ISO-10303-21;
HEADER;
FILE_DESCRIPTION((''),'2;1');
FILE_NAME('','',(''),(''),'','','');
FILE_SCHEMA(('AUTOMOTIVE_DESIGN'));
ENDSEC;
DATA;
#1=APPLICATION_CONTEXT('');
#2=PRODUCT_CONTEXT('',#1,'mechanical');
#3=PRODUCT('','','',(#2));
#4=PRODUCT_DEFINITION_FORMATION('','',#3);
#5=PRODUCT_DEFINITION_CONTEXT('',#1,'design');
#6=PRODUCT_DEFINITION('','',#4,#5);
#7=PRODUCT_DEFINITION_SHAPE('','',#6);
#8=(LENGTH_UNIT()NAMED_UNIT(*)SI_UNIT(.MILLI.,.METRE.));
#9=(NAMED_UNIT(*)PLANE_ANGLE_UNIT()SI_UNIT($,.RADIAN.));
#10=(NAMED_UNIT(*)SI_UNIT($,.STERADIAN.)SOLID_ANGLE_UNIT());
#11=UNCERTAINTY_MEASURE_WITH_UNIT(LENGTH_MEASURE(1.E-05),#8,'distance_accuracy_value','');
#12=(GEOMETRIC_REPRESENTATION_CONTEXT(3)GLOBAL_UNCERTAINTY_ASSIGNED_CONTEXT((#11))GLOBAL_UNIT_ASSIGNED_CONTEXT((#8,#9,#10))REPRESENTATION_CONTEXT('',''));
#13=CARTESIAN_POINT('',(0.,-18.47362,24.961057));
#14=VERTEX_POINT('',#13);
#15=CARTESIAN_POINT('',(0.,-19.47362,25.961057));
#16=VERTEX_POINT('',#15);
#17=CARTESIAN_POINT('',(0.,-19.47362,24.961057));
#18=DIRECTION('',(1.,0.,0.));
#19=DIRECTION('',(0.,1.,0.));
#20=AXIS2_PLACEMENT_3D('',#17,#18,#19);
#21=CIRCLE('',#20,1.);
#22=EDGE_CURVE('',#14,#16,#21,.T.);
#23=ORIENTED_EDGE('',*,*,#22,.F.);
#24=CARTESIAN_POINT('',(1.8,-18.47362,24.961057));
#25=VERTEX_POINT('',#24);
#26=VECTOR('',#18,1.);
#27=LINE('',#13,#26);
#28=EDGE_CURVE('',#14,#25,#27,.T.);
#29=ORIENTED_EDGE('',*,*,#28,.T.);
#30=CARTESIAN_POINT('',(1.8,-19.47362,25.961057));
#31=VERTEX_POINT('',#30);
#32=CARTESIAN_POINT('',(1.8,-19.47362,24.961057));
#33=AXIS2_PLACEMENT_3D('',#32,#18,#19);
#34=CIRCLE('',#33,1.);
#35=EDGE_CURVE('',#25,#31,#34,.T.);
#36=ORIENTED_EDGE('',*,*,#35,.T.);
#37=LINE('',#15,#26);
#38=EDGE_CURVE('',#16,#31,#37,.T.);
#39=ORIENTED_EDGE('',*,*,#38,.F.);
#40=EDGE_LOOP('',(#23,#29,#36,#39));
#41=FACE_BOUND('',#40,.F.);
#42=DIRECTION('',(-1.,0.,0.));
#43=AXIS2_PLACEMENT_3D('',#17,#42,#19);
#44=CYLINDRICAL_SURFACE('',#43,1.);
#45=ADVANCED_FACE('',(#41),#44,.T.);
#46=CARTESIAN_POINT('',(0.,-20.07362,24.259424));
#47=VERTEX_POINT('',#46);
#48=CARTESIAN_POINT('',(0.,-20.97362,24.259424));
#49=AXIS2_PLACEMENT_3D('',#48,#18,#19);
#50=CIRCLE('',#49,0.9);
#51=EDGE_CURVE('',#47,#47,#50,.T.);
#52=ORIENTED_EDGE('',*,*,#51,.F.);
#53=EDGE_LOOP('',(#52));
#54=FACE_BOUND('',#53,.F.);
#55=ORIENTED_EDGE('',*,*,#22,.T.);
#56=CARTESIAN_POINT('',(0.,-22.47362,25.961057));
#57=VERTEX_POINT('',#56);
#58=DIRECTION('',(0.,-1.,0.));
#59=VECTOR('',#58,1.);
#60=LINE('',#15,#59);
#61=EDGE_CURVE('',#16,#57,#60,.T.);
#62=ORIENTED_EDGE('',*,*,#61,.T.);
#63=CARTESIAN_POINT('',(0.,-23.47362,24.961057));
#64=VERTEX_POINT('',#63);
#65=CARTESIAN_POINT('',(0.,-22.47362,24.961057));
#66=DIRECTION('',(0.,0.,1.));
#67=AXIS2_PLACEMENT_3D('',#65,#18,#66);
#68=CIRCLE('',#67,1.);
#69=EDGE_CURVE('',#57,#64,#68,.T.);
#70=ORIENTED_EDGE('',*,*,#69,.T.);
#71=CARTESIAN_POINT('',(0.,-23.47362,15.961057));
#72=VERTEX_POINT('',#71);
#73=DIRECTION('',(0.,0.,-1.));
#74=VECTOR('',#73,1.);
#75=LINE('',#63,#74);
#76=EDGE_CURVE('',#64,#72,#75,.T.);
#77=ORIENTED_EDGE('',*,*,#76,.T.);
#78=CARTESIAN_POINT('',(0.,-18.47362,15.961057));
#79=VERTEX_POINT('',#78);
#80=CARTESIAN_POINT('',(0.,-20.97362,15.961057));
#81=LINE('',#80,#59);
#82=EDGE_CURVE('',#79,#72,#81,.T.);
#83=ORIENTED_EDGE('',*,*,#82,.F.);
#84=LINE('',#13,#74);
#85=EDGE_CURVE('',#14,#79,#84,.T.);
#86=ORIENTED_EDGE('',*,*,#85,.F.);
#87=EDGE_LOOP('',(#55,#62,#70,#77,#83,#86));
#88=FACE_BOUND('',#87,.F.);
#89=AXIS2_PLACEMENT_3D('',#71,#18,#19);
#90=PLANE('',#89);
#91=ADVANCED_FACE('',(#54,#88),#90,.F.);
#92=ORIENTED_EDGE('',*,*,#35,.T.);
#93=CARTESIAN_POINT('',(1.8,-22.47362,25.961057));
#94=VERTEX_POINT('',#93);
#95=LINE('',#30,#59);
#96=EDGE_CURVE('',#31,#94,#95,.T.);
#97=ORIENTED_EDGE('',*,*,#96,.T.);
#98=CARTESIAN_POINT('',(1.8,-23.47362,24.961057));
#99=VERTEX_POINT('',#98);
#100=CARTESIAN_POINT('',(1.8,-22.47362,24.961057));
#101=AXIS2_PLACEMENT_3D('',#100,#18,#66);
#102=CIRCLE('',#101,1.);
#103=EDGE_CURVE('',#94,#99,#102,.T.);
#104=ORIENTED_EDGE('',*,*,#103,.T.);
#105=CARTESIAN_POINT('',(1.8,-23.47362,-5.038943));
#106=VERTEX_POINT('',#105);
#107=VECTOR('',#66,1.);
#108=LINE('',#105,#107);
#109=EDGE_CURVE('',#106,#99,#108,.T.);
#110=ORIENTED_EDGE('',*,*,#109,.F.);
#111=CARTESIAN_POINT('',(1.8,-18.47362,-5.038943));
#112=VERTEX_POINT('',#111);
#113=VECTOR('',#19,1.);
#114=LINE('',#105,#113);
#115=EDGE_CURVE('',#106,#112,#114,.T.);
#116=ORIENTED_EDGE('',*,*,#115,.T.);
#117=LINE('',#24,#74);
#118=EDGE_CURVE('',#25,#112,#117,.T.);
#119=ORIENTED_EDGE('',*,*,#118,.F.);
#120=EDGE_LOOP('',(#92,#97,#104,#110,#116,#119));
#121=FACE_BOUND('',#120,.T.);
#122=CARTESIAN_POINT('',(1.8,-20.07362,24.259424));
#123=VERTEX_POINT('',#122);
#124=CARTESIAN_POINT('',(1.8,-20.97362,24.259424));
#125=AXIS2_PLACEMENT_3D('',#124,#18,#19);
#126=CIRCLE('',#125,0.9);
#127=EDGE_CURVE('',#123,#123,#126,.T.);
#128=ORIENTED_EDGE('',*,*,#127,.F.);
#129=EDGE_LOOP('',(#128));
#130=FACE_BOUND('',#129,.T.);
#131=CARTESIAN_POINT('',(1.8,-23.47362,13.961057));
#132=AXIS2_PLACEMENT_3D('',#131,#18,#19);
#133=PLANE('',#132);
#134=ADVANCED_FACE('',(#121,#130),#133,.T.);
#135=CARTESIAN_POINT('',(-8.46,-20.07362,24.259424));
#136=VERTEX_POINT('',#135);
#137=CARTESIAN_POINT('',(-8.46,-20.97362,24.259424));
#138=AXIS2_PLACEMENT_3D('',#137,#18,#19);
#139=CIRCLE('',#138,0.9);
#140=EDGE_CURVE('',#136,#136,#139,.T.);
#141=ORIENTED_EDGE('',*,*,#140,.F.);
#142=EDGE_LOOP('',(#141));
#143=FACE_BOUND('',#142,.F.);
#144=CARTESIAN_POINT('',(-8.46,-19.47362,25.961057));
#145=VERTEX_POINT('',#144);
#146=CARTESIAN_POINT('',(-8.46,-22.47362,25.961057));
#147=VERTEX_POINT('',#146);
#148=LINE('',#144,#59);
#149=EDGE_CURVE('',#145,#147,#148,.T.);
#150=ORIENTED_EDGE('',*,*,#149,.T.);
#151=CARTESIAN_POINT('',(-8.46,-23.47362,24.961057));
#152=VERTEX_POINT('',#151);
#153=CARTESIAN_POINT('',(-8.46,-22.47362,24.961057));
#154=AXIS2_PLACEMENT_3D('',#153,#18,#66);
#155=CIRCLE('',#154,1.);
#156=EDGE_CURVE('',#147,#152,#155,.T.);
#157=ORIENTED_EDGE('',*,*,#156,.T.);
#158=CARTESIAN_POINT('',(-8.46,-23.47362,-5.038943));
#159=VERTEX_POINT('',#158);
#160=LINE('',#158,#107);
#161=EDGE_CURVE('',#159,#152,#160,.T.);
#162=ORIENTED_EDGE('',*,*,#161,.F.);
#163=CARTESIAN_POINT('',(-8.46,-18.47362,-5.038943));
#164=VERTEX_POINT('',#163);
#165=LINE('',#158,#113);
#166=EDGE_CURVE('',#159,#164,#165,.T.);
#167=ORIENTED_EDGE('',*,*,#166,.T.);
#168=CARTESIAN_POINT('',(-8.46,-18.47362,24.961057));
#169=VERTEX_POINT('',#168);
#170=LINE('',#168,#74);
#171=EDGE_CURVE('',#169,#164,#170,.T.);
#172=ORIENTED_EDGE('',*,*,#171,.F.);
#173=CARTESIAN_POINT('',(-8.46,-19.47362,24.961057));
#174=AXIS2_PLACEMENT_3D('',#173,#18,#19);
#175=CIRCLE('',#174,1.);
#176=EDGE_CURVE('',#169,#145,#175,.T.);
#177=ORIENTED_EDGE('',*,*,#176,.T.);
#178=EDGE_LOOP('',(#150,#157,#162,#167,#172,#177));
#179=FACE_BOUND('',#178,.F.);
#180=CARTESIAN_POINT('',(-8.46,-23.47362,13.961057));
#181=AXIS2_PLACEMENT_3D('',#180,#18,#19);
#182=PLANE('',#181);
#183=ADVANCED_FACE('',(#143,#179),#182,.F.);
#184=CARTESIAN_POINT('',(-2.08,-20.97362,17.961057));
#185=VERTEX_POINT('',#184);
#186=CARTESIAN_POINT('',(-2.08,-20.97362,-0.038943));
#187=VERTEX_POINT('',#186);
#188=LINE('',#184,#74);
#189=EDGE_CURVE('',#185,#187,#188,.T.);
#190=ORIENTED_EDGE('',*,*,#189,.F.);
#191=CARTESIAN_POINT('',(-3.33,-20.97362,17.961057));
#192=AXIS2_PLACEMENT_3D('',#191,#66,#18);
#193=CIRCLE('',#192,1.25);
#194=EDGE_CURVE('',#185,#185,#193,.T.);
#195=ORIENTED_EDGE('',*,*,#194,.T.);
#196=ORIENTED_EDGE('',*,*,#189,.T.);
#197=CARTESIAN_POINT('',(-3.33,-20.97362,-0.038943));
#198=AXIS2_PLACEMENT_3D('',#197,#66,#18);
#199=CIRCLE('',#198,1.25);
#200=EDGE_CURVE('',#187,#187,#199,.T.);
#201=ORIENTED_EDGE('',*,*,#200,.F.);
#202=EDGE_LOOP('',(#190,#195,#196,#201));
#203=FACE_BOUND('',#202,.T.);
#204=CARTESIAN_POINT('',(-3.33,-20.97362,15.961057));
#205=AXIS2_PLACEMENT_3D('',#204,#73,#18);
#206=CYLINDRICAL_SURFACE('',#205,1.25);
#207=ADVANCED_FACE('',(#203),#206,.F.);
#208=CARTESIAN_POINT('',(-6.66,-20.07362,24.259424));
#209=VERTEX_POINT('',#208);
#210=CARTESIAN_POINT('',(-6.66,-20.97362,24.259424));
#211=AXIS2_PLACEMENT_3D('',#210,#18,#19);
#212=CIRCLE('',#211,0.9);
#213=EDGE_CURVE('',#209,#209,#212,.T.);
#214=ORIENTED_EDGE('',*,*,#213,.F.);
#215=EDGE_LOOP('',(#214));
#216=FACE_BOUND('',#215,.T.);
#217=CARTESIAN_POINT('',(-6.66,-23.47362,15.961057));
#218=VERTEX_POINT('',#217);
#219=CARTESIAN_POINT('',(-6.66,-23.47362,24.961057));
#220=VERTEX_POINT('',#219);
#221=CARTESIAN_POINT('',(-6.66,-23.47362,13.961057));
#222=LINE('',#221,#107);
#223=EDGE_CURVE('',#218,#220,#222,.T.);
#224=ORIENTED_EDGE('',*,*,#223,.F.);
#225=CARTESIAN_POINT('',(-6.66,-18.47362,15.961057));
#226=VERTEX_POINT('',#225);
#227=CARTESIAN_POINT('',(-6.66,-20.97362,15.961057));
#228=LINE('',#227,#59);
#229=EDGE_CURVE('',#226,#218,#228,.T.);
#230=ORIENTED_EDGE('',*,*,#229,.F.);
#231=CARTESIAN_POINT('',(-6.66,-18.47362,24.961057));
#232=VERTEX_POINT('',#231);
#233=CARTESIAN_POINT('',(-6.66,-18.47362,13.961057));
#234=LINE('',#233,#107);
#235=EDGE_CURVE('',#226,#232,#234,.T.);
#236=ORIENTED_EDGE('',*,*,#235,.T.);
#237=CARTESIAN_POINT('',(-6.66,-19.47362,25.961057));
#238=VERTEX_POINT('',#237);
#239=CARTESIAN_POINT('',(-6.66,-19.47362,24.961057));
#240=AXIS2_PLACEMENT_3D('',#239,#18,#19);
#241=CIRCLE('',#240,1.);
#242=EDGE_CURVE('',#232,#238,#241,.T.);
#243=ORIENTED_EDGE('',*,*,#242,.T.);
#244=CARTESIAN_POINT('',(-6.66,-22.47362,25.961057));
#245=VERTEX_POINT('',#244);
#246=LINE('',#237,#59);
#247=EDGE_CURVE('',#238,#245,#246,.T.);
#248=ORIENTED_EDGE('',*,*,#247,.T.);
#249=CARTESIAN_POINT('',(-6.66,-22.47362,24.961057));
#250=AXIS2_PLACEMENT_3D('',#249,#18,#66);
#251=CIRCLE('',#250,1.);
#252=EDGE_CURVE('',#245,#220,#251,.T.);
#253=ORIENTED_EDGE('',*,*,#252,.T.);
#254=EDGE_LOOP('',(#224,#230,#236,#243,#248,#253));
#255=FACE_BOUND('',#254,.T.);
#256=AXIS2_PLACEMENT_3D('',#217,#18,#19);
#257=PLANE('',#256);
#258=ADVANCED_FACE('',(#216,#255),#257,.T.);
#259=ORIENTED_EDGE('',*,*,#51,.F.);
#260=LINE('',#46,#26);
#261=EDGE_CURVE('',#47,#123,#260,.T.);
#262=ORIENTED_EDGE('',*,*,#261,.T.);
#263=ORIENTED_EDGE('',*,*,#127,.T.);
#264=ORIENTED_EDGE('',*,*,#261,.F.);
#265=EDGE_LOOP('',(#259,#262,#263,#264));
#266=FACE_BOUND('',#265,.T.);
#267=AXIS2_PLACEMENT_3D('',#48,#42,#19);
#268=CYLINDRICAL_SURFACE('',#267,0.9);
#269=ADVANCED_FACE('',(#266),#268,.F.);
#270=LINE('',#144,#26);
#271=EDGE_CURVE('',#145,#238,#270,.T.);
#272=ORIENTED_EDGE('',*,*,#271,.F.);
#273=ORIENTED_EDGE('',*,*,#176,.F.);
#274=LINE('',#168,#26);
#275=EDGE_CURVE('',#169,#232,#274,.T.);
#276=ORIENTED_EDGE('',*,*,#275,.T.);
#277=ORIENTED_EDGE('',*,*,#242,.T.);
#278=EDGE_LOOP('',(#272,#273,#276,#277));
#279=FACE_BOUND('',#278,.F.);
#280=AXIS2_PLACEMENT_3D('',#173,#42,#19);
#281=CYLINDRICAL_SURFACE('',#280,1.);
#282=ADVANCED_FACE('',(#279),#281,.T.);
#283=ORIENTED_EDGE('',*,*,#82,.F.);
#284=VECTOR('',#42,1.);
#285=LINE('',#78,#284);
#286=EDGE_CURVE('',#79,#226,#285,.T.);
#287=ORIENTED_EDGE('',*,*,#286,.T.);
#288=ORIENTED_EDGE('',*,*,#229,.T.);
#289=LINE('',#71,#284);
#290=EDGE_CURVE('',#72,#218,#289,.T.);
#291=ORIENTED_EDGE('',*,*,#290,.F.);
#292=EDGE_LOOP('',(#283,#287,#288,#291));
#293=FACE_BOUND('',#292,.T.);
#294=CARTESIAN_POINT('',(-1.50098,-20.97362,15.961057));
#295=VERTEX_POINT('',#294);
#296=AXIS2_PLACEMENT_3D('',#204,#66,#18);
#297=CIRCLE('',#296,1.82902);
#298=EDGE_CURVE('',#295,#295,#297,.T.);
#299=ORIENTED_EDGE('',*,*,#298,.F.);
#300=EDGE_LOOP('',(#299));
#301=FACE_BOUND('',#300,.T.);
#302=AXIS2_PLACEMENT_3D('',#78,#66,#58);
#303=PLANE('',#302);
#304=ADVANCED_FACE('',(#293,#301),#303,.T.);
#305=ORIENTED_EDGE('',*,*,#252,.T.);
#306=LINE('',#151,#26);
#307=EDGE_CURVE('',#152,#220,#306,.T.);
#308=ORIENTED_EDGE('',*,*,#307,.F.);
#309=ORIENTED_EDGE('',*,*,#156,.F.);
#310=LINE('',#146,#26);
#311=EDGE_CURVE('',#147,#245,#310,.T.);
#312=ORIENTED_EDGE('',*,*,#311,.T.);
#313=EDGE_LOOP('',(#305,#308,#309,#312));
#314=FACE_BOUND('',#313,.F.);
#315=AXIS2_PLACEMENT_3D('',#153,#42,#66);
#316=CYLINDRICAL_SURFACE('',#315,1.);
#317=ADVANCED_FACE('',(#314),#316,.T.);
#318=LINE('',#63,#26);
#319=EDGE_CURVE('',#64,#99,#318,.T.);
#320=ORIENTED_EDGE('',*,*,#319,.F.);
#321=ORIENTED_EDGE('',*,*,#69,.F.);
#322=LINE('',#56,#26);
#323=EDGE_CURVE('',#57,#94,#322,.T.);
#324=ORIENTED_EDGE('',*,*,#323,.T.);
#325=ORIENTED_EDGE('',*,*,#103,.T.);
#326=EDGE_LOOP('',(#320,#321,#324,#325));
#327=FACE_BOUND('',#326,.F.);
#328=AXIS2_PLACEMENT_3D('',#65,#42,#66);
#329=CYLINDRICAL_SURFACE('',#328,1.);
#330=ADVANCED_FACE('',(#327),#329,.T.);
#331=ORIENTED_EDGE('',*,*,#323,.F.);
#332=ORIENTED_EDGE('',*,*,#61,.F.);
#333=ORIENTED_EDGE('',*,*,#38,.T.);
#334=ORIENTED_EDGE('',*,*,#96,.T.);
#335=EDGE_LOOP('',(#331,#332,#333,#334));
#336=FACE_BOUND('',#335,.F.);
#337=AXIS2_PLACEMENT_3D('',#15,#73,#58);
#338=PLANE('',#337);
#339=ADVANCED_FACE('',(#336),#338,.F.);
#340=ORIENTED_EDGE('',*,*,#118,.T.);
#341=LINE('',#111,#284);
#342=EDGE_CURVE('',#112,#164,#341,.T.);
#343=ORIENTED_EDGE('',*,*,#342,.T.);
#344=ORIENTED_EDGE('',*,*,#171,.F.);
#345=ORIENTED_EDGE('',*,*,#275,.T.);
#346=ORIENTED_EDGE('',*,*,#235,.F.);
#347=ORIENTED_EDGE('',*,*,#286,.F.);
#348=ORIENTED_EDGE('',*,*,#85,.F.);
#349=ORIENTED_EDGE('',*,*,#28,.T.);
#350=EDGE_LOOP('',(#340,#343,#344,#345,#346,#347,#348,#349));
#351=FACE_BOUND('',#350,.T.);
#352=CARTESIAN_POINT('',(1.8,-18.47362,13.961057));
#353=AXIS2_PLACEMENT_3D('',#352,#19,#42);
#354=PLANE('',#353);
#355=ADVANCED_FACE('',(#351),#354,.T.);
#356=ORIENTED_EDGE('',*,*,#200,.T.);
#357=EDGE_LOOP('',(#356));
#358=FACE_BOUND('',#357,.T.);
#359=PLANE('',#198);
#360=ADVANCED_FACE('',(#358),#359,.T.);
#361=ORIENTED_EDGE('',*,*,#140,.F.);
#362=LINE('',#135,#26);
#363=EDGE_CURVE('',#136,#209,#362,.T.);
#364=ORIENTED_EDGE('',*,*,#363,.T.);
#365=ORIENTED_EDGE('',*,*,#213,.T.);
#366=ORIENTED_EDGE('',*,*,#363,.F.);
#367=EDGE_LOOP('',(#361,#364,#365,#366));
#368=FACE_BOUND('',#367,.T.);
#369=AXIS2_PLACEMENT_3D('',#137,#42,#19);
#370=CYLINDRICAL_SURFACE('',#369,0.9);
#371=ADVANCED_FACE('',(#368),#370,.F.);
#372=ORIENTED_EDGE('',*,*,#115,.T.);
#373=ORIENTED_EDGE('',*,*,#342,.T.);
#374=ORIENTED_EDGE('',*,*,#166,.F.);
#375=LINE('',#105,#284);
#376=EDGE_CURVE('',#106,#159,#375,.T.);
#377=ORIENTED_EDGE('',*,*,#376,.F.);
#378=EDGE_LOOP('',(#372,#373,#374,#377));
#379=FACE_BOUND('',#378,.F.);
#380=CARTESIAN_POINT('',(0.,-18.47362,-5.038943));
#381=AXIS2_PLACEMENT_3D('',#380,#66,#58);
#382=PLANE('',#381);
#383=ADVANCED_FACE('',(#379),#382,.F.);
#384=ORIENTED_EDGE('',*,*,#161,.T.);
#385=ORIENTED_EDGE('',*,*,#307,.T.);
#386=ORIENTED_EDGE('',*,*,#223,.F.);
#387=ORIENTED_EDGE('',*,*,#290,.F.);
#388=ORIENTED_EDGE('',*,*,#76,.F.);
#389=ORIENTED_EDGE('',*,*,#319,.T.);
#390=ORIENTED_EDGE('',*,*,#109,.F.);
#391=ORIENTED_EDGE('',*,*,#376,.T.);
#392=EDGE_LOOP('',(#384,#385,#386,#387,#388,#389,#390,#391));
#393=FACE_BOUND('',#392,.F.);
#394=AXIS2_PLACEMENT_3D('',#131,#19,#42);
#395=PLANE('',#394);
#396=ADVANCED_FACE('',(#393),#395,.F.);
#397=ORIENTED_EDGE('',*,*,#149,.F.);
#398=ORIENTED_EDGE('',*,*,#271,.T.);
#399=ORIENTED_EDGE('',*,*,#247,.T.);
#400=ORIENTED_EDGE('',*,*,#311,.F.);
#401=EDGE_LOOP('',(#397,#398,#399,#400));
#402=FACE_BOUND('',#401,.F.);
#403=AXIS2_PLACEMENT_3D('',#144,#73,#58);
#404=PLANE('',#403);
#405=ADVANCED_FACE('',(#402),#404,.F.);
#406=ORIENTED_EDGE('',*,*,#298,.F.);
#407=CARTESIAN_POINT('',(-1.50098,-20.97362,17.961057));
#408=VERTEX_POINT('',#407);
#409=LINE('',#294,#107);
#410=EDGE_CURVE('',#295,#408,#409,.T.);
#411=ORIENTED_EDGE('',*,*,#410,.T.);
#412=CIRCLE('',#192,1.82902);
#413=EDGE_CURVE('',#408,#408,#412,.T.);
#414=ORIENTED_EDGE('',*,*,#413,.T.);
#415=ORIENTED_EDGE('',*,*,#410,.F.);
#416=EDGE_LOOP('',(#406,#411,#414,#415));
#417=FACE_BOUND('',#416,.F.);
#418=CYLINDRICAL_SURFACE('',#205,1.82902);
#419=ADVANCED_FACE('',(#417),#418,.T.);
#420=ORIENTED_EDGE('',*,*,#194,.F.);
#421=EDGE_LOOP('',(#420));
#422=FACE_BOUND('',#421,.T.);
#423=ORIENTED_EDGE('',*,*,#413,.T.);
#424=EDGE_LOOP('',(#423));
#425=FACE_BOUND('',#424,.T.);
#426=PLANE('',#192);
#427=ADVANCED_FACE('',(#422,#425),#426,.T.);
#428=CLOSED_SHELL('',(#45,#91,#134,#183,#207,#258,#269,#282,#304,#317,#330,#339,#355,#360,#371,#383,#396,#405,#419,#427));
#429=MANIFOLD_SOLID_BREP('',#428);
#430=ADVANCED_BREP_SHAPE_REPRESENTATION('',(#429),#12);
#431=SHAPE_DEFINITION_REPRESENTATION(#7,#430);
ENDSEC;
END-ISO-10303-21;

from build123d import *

# Parameters (mm, degrees)
F0_R      = 0.9
F1_DEPTH  = 1.8
F2_DEPTH  = 2
F3_W      = 5
F3_H      = 2
F5_DEPTH  = 6.66
F6_R      = 1.8308670993
F7_DEPTH  = 19
F8_R      = 1.25
F9_DEPTH  = 16
F10_DEPTH = 19
F11_R     = 1.8290202659
F11_R_2   = 1.25
F12_DEPTH = 2


with BuildPart() as f1:
    # F0 (on Right) → F1 (new body)
    with BuildSketch(Plane.YZ):
        with BuildLine():
            Line((-19.4736195393, 25.9610565752), (-22.4736195393, 25.9610565752))
            ThreePointArc((-22.4736195393, 25.9610565752), (-23.1807263205, 25.6681633564), (-23.4736195393, 24.9610565752))
            Line((-23.4736195393, 24.9610565752), (-23.4736195393, 15.9610565752))
            Line((-23.4736195393, 15.9610565752), (-18.4736195393, 15.9610565752))
            Line((-18.4736195393, 15.9610565752), (-18.4736195393, 24.9610565752))
            ThreePointArc((-18.4736195393, 24.9610565752), (-18.7665127581, 25.6681633564), (-19.4736195393, 25.9610565752))
        make_face()
        with Locations((-20.9736195393, 24.2594238371)):
            Circle(F0_R, mode=Mode.SUBTRACT)
    extrude(amount=F1_DEPTH)

    # F2 (add): a face of the model
    f2_faces = [f1.faces().sort_by_distance(p)[0] for p in [
        (0.9, -20.9736195393, 15.9610565752),
    ]]
    extrude(f2_faces, amount=F2_DEPTH)


with BuildPart() as f4_1:
    # F4: copy of F1
    add(f1.part.moved(Location((-8.46, 0, 0))))


with BuildPart() as f1_1:
    add(f1.part)

    add(f4_1.part)  # F5 merges F4_1
    # F3 (on face) → F5 (join)
    with BuildSketch(Plane(origin=(0, 0, 0), x_dir=(0, -1, 0), z_dir=(-1, 0, 0))):
        with Locations((20.9736195393, 14.9610565752)):
            Rectangle(F3_W, F3_H)
    extrude(amount=F5_DEPTH)

    # F6 (on face) → F7 (join)
    with BuildSketch(Plane(origin=(0, 0, 13.9610565752), x_dir=(1, 0, 0), z_dir=(0, 0, -1))):
        with Locations((-3.33, 20.9736195393)):
            Circle(F6_R)
    extrude(amount=F7_DEPTH)

    # F8 (on face) → F9 (cut)
    with BuildSketch(Plane.XY.offset(15.9610565752)):
        with Locations((-3.33, -20.9736195393)):
            Circle(F8_R)
    extrude(amount=-F9_DEPTH, mode=Mode.SUBTRACT)

    # F10 (add): a face of the model
    f10_faces = [f1_1.faces().sort_by_distance(p)[0] for p in [
        (-3.33, -23.3594847067, 13.9610565752),
    ]]
    extrude(f10_faces, amount=F10_DEPTH)

    # F11 (on face) → F12 (join)
    with BuildSketch(Plane.XY.offset(15.9610565752)):
        with Locations((-3.33, -20.9736195393)):
            Circle(F11_R)
        with Locations((-3.33, -20.9736195393)):
            Circle(F11_R_2, mode=Mode.SUBTRACT)
    extrude(amount=F12_DEPTH)


solid = f1_1.part
